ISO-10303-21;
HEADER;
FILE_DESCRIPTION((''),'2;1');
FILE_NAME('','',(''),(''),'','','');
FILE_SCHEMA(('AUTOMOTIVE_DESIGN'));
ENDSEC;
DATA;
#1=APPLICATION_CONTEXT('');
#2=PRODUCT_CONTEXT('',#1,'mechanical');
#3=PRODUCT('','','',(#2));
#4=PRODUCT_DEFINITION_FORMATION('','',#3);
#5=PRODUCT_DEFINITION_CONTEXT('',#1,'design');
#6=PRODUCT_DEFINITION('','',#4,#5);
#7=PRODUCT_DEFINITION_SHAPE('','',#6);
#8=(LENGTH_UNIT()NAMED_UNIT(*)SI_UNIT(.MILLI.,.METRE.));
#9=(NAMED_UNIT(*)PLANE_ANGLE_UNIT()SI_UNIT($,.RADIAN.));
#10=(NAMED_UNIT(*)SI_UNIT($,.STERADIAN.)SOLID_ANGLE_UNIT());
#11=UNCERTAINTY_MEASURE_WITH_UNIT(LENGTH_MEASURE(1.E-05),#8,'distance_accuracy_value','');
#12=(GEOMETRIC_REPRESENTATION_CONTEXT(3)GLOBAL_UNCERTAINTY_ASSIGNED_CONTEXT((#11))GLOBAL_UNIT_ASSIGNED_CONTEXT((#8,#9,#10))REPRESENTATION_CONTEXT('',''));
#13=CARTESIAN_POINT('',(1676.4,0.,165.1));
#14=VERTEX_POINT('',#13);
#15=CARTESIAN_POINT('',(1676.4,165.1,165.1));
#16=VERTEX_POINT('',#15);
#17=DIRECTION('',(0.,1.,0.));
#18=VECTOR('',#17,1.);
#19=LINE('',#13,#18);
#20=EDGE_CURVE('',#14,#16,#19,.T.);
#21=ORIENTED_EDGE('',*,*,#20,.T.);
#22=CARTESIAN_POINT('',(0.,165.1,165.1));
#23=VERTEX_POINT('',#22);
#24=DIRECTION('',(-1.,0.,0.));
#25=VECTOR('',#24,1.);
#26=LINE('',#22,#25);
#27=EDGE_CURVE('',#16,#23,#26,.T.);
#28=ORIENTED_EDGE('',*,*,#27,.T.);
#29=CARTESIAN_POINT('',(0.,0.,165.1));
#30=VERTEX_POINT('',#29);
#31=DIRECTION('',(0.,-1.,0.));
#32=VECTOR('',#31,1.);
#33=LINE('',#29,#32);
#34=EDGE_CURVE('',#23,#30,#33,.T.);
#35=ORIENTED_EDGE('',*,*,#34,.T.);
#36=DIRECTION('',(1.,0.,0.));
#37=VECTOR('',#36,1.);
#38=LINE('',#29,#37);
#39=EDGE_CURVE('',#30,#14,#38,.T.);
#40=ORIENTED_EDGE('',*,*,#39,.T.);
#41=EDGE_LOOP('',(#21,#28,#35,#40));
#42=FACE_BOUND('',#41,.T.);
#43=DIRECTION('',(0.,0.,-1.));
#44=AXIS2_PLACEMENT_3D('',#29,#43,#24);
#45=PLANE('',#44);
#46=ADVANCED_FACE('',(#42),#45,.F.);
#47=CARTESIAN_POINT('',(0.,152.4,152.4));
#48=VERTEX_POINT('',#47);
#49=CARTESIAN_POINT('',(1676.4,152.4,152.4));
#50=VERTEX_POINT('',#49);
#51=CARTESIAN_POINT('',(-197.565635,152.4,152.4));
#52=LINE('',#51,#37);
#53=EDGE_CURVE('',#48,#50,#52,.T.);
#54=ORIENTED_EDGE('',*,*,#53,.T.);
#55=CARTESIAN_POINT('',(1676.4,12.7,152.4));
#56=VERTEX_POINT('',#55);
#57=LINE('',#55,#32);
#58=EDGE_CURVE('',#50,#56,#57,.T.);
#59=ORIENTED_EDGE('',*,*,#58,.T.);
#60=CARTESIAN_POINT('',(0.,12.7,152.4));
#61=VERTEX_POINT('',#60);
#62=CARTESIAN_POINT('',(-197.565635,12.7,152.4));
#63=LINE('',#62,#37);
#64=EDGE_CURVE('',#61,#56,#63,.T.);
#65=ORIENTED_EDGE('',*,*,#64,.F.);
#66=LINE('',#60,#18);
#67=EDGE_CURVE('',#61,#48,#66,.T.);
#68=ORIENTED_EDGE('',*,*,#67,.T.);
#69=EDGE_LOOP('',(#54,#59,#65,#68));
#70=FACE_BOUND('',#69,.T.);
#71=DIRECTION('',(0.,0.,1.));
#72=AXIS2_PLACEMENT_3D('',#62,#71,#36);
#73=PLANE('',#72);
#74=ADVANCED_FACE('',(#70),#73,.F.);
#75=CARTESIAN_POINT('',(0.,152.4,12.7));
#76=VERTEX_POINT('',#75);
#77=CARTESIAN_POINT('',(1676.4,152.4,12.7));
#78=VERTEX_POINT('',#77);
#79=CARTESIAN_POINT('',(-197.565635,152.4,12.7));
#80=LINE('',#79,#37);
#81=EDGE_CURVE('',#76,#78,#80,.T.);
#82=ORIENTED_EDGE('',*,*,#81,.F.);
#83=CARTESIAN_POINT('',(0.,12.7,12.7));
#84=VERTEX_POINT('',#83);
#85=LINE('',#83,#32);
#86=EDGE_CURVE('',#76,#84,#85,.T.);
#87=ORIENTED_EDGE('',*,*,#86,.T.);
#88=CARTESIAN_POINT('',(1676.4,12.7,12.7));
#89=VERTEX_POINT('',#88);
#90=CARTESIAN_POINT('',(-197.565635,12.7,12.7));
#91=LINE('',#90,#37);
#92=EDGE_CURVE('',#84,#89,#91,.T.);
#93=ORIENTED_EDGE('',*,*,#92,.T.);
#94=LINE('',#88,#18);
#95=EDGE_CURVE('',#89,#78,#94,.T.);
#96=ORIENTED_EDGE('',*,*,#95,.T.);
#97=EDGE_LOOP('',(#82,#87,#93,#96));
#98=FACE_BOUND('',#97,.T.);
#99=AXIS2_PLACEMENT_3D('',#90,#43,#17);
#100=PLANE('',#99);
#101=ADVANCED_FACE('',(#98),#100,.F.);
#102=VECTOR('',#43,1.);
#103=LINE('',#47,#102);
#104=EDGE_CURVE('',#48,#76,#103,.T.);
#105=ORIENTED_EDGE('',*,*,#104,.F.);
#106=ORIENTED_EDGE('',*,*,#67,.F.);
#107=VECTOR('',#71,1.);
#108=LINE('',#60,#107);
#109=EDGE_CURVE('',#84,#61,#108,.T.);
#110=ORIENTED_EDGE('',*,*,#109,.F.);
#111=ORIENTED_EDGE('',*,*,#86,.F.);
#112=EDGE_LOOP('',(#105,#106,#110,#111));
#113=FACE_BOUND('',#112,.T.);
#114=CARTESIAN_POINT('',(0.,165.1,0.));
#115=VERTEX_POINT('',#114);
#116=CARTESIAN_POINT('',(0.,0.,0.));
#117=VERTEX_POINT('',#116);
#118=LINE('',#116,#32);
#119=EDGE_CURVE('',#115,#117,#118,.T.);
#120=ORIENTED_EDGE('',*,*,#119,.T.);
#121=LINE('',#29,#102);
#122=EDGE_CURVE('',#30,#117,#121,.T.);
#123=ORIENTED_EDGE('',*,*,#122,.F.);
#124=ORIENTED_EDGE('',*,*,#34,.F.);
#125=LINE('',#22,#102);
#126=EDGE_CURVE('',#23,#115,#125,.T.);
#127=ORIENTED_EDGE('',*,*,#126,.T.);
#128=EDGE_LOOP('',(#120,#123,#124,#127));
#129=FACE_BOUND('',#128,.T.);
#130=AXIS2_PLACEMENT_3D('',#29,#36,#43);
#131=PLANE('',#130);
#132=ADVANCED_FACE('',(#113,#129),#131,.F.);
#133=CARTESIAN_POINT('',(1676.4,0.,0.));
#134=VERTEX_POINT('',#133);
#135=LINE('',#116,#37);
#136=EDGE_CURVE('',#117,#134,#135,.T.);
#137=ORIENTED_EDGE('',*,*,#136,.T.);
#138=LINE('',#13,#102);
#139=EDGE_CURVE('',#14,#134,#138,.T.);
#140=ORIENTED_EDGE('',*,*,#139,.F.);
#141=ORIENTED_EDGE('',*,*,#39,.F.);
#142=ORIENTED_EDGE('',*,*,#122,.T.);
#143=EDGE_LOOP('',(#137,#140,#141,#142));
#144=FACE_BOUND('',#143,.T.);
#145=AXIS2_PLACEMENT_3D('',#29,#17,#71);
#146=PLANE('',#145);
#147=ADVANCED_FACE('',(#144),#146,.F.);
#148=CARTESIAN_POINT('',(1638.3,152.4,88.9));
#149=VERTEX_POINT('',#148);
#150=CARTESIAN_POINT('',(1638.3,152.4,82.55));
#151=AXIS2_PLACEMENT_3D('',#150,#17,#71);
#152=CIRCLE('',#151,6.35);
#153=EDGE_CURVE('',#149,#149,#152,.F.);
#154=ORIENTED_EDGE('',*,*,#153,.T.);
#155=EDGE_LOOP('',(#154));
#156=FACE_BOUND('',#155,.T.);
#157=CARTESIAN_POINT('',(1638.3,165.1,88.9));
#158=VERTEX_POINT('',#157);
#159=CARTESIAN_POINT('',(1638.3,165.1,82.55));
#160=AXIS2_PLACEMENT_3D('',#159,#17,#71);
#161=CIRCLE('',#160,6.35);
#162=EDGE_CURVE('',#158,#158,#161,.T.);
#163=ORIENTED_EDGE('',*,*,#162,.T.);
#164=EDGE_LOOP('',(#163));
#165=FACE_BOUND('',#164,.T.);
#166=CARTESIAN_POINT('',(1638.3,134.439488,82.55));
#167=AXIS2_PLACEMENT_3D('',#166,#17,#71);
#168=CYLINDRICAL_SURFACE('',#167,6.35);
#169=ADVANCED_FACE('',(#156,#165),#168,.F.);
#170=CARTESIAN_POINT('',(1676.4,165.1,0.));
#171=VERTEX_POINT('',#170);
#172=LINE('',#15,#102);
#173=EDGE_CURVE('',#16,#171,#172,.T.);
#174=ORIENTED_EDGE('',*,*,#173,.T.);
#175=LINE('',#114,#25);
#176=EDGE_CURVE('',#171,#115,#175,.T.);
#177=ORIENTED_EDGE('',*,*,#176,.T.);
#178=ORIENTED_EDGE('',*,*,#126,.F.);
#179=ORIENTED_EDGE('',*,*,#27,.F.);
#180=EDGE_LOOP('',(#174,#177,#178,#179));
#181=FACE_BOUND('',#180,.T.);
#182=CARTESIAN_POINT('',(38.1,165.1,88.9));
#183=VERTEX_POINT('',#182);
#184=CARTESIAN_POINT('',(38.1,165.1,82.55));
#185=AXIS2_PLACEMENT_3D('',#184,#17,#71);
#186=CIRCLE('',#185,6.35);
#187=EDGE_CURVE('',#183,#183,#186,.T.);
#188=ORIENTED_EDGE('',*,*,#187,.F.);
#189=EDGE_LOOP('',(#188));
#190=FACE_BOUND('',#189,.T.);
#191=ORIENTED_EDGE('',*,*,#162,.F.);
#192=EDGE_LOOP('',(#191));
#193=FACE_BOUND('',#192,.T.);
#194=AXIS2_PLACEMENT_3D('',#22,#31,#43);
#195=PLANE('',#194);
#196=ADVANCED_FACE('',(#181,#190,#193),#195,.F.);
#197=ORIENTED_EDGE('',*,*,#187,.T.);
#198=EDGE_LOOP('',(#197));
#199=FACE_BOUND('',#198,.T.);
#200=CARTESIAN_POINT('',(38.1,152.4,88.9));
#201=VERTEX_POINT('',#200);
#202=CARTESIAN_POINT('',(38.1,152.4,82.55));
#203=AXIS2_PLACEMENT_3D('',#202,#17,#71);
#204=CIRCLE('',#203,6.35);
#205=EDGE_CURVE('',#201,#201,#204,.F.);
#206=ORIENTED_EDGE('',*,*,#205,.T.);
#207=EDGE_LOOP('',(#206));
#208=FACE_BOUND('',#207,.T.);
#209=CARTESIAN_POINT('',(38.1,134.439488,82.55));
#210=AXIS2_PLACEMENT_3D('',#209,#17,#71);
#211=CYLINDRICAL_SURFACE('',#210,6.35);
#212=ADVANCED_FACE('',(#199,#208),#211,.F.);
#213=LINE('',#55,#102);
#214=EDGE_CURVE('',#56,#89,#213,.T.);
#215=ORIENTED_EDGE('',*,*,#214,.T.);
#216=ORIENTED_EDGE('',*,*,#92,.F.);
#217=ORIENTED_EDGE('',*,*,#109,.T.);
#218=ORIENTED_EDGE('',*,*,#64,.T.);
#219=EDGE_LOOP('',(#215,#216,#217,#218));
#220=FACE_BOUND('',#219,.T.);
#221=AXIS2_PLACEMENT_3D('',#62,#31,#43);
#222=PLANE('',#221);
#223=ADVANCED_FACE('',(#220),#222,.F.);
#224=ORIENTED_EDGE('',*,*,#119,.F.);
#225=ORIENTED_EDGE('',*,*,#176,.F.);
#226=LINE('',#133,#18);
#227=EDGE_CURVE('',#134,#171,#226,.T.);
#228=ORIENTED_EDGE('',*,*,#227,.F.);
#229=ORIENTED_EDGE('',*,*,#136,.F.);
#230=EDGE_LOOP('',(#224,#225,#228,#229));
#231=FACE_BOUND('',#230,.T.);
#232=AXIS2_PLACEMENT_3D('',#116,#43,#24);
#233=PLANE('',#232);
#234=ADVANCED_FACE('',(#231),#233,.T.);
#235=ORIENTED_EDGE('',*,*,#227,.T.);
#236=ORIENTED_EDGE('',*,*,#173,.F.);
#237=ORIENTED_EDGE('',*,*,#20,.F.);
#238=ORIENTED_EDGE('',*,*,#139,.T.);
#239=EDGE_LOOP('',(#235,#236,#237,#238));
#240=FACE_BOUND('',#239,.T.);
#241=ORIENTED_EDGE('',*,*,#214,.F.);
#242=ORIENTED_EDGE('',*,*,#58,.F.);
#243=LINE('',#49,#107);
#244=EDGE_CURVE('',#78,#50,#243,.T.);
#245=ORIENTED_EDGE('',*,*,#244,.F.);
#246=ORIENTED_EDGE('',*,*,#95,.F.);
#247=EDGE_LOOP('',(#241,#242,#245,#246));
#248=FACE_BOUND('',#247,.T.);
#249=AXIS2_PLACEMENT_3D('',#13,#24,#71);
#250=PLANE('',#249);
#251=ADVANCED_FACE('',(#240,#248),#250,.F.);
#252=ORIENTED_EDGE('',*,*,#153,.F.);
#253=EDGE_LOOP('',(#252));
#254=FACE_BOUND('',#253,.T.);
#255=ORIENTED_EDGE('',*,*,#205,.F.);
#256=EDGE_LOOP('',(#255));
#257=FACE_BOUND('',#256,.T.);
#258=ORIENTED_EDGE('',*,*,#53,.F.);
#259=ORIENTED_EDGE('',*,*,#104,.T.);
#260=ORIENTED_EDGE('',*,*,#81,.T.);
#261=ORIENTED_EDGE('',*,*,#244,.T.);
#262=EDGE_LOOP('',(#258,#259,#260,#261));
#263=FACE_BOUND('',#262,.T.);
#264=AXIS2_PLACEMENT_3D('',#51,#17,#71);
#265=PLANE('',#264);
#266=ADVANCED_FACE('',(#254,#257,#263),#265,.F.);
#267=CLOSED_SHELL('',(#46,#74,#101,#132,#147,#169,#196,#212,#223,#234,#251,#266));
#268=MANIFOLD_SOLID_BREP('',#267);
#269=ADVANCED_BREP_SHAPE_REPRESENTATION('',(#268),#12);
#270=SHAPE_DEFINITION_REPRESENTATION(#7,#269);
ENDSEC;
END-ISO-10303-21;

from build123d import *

# Parameters (mm, degrees)
SKETCH1_W           = 1676.4
SKETCH1_H           = 165.1
BOSS_EXTRUDE1_DEPTH = 165.1
SKETCH2_W           = 139.7
SKETCH2_H           = 139.7
CUT_EXTRUDE1_DEPTH  = 1676.4
SKETCH4_R           = 6.35
CUT_EXTRUDE3_DEPTH  = 12.7


with BuildPart() as part:
    # Sketch1 → Boss-Extrude1 (new body)
    with BuildSketch(Plane.XY):
        with Locations((838.2, 82.55)):
            Rectangle(SKETCH1_W, SKETCH1_H)
    extrude(amount=BOSS_EXTRUDE1_DEPTH)

    # Sketch2 → Cut-Extrude1 (cut)
    with BuildSketch(Plane(origin=(1676.4, 0, 0), x_dir=(0, 0, -1), z_dir=(1, 0, 0))):
        with Locations((-82.55, 82.55)):
            Rectangle(SKETCH2_W, SKETCH2_H)
    extrude(amount=-CUT_EXTRUDE1_DEPTH, mode=Mode.SUBTRACT)

    # Sketch4 → Cut-Extrude3 (cut)
    with BuildSketch(Plane(origin=(0, 165.1, 0), x_dir=(1, 0, 0), z_dir=(0, 1, 0))):
        with Locations((38.1, -82.55)):
            Circle(SKETCH4_R)
        with Locations((1638.3, -82.55)):
            Circle(SKETCH4_R)
    extrude(amount=-CUT_EXTRUDE3_DEPTH, mode=Mode.SUBTRACT)


solid = part.part
